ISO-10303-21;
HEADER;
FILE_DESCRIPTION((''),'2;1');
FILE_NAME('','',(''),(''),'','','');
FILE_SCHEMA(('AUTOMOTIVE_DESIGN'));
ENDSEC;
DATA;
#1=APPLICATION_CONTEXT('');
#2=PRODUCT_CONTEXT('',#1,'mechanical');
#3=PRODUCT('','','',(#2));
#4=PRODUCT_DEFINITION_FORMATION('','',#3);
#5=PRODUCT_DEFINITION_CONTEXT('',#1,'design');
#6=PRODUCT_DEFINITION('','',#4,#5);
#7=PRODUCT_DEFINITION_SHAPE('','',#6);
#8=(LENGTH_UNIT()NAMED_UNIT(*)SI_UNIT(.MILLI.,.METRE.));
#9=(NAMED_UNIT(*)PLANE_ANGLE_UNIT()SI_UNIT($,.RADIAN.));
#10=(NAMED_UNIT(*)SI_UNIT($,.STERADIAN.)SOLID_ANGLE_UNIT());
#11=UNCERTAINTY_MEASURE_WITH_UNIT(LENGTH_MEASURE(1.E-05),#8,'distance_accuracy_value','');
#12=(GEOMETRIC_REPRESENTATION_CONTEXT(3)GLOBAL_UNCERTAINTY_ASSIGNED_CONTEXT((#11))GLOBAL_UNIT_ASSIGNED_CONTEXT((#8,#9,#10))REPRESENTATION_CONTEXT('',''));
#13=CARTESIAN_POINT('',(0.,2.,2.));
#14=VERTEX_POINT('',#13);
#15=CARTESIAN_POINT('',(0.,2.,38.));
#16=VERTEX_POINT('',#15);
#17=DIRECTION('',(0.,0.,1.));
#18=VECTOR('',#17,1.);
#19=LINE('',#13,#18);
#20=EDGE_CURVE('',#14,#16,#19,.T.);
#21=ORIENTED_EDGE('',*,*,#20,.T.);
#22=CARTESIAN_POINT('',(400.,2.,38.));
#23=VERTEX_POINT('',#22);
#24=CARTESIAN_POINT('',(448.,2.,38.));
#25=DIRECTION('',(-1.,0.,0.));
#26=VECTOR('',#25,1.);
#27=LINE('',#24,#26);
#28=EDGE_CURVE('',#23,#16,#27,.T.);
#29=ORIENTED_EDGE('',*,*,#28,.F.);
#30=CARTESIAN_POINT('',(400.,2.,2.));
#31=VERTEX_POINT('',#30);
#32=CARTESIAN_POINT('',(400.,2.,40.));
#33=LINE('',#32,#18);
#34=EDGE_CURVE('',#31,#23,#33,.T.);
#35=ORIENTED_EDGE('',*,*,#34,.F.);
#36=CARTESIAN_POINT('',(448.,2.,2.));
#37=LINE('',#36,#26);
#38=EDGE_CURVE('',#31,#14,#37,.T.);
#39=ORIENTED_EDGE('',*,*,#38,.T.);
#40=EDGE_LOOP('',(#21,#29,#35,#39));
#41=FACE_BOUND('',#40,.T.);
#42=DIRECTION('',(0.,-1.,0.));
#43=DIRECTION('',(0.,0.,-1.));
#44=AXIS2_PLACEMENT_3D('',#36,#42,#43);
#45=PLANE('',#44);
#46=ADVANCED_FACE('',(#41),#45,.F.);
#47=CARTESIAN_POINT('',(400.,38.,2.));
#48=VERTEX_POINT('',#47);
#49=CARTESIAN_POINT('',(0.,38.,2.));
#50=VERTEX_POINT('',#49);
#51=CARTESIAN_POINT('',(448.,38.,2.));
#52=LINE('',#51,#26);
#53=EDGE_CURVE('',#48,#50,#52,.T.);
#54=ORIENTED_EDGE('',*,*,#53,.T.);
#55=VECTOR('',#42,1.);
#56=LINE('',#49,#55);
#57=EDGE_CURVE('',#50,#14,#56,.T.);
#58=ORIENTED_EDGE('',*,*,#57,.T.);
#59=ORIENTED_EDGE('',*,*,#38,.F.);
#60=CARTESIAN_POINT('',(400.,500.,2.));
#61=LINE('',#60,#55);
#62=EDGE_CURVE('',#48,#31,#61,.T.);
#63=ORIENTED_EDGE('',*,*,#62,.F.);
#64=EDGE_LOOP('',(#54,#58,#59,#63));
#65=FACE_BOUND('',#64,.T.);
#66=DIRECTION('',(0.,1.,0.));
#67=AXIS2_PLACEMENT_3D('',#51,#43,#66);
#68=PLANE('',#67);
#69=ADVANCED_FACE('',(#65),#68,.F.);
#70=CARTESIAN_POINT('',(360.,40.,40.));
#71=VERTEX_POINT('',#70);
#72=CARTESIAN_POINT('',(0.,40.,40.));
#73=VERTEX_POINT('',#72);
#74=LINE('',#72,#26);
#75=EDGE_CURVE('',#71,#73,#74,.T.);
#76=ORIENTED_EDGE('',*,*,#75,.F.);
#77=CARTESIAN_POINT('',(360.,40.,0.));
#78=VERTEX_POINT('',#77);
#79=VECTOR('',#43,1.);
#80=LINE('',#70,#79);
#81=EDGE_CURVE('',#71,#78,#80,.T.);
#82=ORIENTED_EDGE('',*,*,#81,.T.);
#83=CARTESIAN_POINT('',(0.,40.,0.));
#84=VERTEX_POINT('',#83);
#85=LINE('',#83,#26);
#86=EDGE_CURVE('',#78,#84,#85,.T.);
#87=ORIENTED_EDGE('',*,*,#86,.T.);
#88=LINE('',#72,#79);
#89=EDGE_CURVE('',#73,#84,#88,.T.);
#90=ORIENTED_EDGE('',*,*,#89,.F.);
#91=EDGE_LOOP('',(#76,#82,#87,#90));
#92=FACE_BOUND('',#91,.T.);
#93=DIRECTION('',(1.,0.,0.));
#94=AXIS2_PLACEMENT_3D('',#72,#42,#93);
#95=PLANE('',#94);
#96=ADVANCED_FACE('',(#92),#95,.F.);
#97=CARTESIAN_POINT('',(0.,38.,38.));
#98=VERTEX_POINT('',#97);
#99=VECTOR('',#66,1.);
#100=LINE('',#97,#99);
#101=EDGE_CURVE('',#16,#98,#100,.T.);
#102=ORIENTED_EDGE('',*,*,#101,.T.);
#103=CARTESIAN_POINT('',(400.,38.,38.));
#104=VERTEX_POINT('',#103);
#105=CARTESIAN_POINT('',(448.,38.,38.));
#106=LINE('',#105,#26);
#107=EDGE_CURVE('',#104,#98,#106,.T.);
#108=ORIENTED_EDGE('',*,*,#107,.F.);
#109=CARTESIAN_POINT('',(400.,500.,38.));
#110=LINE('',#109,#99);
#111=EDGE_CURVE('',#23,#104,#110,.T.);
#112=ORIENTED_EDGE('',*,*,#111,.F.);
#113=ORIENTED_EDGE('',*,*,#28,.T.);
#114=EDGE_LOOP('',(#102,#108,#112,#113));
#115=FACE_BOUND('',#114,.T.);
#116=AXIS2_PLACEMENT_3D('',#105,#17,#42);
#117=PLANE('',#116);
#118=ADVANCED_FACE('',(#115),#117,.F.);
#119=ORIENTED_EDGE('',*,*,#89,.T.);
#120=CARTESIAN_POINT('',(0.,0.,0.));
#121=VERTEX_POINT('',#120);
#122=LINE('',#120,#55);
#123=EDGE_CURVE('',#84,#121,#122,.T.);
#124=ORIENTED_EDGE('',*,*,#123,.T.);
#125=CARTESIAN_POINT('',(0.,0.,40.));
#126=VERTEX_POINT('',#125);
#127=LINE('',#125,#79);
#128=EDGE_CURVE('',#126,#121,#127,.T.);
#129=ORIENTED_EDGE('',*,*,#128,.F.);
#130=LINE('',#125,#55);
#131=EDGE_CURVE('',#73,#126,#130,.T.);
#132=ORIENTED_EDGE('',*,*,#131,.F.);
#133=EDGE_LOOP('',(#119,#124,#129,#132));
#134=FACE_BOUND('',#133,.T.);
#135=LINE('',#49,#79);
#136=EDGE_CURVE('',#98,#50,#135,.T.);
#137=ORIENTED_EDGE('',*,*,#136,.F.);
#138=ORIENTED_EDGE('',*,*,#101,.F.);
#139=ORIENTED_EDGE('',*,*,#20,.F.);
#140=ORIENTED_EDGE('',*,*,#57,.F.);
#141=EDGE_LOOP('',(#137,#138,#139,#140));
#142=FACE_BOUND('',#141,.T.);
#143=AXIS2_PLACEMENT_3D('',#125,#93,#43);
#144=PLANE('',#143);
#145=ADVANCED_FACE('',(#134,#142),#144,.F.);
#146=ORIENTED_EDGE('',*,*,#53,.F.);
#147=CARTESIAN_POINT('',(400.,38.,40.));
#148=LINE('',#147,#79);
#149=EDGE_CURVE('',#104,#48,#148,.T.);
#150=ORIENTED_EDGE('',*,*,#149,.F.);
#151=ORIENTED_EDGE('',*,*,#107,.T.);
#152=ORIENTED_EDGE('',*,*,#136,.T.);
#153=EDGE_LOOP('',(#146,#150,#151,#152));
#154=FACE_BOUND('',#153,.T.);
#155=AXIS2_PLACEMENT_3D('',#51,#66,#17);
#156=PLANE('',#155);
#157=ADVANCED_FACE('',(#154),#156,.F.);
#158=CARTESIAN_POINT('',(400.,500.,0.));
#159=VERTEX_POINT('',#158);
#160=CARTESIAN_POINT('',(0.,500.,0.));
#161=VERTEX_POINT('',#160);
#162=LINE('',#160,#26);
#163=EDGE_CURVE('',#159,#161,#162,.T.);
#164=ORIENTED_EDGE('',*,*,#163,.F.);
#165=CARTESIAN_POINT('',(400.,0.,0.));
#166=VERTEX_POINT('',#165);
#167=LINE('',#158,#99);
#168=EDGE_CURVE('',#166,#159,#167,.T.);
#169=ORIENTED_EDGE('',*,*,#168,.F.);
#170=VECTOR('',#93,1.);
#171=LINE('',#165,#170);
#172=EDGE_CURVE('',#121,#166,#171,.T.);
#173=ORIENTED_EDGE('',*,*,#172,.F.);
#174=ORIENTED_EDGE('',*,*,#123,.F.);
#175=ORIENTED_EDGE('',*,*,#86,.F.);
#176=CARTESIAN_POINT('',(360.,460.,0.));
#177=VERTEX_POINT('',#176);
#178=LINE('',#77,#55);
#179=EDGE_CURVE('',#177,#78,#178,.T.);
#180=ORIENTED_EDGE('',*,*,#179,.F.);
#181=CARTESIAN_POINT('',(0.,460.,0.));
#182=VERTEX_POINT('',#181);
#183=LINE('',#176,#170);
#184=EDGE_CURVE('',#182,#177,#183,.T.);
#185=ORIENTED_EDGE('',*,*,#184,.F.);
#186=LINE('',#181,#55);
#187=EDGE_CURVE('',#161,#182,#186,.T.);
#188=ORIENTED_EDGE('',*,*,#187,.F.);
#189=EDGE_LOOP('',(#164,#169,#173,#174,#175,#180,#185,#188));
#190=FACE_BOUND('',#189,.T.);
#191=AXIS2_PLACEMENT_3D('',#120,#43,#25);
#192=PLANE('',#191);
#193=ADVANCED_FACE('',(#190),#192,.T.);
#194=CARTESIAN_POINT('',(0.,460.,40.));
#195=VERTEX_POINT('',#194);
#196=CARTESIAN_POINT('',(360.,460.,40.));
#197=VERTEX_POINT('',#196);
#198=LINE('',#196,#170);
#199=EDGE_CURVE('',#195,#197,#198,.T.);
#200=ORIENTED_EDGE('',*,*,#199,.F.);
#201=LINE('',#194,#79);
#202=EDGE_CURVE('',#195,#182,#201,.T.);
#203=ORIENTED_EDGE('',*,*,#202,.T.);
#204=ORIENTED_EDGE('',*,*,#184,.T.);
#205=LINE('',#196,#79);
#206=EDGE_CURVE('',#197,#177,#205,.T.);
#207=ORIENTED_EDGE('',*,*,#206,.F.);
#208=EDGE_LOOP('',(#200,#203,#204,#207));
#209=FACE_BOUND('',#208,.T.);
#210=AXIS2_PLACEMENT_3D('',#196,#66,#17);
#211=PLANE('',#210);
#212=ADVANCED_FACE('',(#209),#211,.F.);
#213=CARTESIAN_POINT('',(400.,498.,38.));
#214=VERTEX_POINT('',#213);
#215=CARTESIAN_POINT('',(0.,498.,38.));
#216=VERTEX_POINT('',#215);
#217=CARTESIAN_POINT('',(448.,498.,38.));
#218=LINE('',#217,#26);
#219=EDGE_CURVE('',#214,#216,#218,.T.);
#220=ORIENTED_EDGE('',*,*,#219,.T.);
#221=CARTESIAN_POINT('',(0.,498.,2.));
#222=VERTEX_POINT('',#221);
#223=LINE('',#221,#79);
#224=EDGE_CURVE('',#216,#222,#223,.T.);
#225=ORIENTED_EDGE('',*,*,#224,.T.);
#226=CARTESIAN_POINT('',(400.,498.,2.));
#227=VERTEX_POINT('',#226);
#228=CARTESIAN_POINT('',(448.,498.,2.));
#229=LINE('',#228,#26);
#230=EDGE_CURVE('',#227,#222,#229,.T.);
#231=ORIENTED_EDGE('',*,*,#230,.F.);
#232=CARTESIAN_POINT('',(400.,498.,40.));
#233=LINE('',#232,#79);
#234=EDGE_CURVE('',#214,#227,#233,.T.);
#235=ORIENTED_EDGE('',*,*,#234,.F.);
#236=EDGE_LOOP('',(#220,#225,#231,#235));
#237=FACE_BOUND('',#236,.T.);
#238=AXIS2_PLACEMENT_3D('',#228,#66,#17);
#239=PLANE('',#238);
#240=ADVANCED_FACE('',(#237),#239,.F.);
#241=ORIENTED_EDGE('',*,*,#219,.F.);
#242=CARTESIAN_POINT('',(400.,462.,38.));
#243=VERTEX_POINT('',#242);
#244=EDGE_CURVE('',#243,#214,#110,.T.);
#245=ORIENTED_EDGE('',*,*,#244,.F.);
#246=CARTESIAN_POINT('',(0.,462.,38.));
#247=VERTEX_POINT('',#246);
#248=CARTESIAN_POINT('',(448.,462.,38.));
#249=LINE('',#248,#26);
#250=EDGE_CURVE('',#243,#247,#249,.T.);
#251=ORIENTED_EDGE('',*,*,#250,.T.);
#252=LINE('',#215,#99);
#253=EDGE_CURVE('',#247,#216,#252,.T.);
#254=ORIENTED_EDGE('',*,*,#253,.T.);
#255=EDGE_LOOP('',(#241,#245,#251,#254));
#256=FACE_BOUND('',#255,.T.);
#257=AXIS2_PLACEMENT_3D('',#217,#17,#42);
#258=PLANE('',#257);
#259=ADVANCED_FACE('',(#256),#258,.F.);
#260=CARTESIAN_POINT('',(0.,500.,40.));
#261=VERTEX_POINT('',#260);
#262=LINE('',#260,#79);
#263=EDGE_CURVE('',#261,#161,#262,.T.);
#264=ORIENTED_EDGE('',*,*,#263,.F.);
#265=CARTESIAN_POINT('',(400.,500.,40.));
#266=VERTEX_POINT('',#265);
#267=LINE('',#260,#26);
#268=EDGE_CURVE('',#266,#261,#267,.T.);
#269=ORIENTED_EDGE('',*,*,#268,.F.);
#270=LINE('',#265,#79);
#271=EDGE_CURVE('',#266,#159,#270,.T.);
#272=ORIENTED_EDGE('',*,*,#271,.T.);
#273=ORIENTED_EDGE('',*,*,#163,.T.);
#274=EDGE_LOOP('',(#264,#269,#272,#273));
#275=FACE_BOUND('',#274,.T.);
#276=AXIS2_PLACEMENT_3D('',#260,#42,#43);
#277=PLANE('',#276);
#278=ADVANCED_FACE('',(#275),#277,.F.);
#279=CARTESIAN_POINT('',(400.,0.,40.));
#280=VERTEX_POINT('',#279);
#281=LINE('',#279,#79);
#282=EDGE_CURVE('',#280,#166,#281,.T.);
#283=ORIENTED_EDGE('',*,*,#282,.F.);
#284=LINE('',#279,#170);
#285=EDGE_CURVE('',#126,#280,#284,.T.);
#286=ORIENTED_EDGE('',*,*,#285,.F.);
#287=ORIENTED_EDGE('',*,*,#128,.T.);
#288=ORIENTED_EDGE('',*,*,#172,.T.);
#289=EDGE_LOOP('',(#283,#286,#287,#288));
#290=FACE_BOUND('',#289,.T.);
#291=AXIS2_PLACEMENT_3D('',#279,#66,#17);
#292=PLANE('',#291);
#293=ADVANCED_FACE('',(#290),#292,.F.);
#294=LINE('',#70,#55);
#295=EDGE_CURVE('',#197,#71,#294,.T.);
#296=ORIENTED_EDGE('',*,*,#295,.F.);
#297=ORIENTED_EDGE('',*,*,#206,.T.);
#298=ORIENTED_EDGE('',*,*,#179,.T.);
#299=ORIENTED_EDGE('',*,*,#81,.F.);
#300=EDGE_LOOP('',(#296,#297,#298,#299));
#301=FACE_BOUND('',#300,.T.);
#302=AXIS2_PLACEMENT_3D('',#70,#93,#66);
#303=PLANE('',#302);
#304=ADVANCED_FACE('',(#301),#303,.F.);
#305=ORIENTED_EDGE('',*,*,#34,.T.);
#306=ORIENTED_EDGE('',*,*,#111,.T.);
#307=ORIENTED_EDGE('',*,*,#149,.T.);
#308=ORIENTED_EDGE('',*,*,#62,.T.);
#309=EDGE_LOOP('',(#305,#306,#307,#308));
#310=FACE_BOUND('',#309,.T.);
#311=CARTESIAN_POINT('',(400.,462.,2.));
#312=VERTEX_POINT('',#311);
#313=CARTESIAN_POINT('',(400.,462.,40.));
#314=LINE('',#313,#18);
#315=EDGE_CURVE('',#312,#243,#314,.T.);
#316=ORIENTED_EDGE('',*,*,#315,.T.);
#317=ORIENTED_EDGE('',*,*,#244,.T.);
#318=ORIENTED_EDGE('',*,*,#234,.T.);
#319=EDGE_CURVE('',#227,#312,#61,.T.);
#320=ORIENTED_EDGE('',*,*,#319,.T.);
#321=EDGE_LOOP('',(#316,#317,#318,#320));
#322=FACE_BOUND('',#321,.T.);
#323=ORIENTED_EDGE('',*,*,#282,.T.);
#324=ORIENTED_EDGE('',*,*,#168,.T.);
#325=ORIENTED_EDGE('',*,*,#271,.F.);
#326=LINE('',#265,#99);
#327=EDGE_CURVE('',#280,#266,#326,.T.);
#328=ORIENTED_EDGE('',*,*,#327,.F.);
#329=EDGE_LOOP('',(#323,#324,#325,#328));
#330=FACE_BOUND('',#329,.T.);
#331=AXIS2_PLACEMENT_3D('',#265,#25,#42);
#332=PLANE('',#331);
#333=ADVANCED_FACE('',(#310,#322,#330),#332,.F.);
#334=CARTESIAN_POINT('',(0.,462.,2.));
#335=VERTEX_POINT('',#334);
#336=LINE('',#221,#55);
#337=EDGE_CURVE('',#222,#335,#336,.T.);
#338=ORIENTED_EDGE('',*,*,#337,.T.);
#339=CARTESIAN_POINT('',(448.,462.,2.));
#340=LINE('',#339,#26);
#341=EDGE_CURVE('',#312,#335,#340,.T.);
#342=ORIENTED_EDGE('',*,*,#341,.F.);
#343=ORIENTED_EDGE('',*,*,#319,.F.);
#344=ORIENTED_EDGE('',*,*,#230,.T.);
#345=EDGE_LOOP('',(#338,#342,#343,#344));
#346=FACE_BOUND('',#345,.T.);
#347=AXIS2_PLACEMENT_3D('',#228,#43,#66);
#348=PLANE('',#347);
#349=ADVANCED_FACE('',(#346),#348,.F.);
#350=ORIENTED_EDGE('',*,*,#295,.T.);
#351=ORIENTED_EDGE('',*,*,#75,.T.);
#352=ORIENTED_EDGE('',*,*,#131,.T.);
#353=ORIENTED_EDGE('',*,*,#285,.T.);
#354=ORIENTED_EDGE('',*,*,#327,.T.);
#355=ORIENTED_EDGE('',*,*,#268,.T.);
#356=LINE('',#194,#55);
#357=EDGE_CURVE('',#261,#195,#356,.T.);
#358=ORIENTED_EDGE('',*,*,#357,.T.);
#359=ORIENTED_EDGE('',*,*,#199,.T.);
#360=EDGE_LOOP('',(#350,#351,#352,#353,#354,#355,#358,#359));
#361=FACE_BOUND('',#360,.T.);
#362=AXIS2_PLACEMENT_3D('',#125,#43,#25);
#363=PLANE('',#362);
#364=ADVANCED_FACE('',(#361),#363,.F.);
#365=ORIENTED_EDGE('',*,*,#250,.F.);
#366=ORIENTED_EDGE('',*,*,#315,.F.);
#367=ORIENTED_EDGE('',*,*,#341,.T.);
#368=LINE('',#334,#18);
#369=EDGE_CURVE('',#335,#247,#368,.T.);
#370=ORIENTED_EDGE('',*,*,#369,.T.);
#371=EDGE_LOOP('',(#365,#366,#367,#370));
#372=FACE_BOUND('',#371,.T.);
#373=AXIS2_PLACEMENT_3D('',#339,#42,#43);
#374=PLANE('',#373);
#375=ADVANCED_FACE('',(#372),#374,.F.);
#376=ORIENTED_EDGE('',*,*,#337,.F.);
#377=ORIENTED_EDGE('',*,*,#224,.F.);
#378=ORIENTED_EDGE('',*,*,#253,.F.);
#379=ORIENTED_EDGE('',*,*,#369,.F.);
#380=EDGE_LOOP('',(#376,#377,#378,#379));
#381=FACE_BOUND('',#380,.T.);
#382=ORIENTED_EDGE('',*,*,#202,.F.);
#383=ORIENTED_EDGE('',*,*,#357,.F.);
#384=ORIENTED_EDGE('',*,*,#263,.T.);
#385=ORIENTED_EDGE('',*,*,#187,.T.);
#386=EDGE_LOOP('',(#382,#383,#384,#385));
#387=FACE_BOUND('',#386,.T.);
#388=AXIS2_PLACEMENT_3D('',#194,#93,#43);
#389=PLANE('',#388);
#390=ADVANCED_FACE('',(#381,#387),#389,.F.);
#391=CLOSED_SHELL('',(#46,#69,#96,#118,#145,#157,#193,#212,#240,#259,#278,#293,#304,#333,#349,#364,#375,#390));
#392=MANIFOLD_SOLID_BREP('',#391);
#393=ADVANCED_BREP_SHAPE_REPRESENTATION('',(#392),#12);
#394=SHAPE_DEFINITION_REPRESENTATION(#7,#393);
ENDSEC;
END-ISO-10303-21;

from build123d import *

# Parameters (mm, degrees)
BOSS_EXTRUDE1_DEPTH = 40
SKETCH3_W           = 36
SKETCH3_H           = 36
CUT_EXTRUDE1_DEPTH  = 448
SKETCH4_W           = 36
SKETCH4_H           = 36
CUT_EXTRUDE2_DEPTH  = 448


with BuildPart() as part:
    # Sketch2 → Boss-Extrude1 (new body)
    with BuildSketch(Plane.XY):
        Polygon((0, 0), (0, 40), (360, 40), (360, 460), (0, 460), (0, 500), (400, 500), (400, 0), align=None)
    extrude(amount=BOSS_EXTRUDE1_DEPTH)

    # Sketch3 → Cut-Extrude1 (cut)
    with BuildSketch(Plane.ZY):
        with Locations((20, 480)):
            Rectangle(SKETCH3_W, SKETCH3_H)
    extrude(amount=-CUT_EXTRUDE1_DEPTH, mode=Mode.SUBTRACT)

    # Sketch4 → Cut-Extrude2 (cut)
    with BuildSketch(Plane.ZY):
        with Locations((20, 20)):
            Rectangle(SKETCH4_W, SKETCH4_H)
    extrude(amount=-CUT_EXTRUDE2_DEPTH, mode=Mode.SUBTRACT)


solid = part.part
